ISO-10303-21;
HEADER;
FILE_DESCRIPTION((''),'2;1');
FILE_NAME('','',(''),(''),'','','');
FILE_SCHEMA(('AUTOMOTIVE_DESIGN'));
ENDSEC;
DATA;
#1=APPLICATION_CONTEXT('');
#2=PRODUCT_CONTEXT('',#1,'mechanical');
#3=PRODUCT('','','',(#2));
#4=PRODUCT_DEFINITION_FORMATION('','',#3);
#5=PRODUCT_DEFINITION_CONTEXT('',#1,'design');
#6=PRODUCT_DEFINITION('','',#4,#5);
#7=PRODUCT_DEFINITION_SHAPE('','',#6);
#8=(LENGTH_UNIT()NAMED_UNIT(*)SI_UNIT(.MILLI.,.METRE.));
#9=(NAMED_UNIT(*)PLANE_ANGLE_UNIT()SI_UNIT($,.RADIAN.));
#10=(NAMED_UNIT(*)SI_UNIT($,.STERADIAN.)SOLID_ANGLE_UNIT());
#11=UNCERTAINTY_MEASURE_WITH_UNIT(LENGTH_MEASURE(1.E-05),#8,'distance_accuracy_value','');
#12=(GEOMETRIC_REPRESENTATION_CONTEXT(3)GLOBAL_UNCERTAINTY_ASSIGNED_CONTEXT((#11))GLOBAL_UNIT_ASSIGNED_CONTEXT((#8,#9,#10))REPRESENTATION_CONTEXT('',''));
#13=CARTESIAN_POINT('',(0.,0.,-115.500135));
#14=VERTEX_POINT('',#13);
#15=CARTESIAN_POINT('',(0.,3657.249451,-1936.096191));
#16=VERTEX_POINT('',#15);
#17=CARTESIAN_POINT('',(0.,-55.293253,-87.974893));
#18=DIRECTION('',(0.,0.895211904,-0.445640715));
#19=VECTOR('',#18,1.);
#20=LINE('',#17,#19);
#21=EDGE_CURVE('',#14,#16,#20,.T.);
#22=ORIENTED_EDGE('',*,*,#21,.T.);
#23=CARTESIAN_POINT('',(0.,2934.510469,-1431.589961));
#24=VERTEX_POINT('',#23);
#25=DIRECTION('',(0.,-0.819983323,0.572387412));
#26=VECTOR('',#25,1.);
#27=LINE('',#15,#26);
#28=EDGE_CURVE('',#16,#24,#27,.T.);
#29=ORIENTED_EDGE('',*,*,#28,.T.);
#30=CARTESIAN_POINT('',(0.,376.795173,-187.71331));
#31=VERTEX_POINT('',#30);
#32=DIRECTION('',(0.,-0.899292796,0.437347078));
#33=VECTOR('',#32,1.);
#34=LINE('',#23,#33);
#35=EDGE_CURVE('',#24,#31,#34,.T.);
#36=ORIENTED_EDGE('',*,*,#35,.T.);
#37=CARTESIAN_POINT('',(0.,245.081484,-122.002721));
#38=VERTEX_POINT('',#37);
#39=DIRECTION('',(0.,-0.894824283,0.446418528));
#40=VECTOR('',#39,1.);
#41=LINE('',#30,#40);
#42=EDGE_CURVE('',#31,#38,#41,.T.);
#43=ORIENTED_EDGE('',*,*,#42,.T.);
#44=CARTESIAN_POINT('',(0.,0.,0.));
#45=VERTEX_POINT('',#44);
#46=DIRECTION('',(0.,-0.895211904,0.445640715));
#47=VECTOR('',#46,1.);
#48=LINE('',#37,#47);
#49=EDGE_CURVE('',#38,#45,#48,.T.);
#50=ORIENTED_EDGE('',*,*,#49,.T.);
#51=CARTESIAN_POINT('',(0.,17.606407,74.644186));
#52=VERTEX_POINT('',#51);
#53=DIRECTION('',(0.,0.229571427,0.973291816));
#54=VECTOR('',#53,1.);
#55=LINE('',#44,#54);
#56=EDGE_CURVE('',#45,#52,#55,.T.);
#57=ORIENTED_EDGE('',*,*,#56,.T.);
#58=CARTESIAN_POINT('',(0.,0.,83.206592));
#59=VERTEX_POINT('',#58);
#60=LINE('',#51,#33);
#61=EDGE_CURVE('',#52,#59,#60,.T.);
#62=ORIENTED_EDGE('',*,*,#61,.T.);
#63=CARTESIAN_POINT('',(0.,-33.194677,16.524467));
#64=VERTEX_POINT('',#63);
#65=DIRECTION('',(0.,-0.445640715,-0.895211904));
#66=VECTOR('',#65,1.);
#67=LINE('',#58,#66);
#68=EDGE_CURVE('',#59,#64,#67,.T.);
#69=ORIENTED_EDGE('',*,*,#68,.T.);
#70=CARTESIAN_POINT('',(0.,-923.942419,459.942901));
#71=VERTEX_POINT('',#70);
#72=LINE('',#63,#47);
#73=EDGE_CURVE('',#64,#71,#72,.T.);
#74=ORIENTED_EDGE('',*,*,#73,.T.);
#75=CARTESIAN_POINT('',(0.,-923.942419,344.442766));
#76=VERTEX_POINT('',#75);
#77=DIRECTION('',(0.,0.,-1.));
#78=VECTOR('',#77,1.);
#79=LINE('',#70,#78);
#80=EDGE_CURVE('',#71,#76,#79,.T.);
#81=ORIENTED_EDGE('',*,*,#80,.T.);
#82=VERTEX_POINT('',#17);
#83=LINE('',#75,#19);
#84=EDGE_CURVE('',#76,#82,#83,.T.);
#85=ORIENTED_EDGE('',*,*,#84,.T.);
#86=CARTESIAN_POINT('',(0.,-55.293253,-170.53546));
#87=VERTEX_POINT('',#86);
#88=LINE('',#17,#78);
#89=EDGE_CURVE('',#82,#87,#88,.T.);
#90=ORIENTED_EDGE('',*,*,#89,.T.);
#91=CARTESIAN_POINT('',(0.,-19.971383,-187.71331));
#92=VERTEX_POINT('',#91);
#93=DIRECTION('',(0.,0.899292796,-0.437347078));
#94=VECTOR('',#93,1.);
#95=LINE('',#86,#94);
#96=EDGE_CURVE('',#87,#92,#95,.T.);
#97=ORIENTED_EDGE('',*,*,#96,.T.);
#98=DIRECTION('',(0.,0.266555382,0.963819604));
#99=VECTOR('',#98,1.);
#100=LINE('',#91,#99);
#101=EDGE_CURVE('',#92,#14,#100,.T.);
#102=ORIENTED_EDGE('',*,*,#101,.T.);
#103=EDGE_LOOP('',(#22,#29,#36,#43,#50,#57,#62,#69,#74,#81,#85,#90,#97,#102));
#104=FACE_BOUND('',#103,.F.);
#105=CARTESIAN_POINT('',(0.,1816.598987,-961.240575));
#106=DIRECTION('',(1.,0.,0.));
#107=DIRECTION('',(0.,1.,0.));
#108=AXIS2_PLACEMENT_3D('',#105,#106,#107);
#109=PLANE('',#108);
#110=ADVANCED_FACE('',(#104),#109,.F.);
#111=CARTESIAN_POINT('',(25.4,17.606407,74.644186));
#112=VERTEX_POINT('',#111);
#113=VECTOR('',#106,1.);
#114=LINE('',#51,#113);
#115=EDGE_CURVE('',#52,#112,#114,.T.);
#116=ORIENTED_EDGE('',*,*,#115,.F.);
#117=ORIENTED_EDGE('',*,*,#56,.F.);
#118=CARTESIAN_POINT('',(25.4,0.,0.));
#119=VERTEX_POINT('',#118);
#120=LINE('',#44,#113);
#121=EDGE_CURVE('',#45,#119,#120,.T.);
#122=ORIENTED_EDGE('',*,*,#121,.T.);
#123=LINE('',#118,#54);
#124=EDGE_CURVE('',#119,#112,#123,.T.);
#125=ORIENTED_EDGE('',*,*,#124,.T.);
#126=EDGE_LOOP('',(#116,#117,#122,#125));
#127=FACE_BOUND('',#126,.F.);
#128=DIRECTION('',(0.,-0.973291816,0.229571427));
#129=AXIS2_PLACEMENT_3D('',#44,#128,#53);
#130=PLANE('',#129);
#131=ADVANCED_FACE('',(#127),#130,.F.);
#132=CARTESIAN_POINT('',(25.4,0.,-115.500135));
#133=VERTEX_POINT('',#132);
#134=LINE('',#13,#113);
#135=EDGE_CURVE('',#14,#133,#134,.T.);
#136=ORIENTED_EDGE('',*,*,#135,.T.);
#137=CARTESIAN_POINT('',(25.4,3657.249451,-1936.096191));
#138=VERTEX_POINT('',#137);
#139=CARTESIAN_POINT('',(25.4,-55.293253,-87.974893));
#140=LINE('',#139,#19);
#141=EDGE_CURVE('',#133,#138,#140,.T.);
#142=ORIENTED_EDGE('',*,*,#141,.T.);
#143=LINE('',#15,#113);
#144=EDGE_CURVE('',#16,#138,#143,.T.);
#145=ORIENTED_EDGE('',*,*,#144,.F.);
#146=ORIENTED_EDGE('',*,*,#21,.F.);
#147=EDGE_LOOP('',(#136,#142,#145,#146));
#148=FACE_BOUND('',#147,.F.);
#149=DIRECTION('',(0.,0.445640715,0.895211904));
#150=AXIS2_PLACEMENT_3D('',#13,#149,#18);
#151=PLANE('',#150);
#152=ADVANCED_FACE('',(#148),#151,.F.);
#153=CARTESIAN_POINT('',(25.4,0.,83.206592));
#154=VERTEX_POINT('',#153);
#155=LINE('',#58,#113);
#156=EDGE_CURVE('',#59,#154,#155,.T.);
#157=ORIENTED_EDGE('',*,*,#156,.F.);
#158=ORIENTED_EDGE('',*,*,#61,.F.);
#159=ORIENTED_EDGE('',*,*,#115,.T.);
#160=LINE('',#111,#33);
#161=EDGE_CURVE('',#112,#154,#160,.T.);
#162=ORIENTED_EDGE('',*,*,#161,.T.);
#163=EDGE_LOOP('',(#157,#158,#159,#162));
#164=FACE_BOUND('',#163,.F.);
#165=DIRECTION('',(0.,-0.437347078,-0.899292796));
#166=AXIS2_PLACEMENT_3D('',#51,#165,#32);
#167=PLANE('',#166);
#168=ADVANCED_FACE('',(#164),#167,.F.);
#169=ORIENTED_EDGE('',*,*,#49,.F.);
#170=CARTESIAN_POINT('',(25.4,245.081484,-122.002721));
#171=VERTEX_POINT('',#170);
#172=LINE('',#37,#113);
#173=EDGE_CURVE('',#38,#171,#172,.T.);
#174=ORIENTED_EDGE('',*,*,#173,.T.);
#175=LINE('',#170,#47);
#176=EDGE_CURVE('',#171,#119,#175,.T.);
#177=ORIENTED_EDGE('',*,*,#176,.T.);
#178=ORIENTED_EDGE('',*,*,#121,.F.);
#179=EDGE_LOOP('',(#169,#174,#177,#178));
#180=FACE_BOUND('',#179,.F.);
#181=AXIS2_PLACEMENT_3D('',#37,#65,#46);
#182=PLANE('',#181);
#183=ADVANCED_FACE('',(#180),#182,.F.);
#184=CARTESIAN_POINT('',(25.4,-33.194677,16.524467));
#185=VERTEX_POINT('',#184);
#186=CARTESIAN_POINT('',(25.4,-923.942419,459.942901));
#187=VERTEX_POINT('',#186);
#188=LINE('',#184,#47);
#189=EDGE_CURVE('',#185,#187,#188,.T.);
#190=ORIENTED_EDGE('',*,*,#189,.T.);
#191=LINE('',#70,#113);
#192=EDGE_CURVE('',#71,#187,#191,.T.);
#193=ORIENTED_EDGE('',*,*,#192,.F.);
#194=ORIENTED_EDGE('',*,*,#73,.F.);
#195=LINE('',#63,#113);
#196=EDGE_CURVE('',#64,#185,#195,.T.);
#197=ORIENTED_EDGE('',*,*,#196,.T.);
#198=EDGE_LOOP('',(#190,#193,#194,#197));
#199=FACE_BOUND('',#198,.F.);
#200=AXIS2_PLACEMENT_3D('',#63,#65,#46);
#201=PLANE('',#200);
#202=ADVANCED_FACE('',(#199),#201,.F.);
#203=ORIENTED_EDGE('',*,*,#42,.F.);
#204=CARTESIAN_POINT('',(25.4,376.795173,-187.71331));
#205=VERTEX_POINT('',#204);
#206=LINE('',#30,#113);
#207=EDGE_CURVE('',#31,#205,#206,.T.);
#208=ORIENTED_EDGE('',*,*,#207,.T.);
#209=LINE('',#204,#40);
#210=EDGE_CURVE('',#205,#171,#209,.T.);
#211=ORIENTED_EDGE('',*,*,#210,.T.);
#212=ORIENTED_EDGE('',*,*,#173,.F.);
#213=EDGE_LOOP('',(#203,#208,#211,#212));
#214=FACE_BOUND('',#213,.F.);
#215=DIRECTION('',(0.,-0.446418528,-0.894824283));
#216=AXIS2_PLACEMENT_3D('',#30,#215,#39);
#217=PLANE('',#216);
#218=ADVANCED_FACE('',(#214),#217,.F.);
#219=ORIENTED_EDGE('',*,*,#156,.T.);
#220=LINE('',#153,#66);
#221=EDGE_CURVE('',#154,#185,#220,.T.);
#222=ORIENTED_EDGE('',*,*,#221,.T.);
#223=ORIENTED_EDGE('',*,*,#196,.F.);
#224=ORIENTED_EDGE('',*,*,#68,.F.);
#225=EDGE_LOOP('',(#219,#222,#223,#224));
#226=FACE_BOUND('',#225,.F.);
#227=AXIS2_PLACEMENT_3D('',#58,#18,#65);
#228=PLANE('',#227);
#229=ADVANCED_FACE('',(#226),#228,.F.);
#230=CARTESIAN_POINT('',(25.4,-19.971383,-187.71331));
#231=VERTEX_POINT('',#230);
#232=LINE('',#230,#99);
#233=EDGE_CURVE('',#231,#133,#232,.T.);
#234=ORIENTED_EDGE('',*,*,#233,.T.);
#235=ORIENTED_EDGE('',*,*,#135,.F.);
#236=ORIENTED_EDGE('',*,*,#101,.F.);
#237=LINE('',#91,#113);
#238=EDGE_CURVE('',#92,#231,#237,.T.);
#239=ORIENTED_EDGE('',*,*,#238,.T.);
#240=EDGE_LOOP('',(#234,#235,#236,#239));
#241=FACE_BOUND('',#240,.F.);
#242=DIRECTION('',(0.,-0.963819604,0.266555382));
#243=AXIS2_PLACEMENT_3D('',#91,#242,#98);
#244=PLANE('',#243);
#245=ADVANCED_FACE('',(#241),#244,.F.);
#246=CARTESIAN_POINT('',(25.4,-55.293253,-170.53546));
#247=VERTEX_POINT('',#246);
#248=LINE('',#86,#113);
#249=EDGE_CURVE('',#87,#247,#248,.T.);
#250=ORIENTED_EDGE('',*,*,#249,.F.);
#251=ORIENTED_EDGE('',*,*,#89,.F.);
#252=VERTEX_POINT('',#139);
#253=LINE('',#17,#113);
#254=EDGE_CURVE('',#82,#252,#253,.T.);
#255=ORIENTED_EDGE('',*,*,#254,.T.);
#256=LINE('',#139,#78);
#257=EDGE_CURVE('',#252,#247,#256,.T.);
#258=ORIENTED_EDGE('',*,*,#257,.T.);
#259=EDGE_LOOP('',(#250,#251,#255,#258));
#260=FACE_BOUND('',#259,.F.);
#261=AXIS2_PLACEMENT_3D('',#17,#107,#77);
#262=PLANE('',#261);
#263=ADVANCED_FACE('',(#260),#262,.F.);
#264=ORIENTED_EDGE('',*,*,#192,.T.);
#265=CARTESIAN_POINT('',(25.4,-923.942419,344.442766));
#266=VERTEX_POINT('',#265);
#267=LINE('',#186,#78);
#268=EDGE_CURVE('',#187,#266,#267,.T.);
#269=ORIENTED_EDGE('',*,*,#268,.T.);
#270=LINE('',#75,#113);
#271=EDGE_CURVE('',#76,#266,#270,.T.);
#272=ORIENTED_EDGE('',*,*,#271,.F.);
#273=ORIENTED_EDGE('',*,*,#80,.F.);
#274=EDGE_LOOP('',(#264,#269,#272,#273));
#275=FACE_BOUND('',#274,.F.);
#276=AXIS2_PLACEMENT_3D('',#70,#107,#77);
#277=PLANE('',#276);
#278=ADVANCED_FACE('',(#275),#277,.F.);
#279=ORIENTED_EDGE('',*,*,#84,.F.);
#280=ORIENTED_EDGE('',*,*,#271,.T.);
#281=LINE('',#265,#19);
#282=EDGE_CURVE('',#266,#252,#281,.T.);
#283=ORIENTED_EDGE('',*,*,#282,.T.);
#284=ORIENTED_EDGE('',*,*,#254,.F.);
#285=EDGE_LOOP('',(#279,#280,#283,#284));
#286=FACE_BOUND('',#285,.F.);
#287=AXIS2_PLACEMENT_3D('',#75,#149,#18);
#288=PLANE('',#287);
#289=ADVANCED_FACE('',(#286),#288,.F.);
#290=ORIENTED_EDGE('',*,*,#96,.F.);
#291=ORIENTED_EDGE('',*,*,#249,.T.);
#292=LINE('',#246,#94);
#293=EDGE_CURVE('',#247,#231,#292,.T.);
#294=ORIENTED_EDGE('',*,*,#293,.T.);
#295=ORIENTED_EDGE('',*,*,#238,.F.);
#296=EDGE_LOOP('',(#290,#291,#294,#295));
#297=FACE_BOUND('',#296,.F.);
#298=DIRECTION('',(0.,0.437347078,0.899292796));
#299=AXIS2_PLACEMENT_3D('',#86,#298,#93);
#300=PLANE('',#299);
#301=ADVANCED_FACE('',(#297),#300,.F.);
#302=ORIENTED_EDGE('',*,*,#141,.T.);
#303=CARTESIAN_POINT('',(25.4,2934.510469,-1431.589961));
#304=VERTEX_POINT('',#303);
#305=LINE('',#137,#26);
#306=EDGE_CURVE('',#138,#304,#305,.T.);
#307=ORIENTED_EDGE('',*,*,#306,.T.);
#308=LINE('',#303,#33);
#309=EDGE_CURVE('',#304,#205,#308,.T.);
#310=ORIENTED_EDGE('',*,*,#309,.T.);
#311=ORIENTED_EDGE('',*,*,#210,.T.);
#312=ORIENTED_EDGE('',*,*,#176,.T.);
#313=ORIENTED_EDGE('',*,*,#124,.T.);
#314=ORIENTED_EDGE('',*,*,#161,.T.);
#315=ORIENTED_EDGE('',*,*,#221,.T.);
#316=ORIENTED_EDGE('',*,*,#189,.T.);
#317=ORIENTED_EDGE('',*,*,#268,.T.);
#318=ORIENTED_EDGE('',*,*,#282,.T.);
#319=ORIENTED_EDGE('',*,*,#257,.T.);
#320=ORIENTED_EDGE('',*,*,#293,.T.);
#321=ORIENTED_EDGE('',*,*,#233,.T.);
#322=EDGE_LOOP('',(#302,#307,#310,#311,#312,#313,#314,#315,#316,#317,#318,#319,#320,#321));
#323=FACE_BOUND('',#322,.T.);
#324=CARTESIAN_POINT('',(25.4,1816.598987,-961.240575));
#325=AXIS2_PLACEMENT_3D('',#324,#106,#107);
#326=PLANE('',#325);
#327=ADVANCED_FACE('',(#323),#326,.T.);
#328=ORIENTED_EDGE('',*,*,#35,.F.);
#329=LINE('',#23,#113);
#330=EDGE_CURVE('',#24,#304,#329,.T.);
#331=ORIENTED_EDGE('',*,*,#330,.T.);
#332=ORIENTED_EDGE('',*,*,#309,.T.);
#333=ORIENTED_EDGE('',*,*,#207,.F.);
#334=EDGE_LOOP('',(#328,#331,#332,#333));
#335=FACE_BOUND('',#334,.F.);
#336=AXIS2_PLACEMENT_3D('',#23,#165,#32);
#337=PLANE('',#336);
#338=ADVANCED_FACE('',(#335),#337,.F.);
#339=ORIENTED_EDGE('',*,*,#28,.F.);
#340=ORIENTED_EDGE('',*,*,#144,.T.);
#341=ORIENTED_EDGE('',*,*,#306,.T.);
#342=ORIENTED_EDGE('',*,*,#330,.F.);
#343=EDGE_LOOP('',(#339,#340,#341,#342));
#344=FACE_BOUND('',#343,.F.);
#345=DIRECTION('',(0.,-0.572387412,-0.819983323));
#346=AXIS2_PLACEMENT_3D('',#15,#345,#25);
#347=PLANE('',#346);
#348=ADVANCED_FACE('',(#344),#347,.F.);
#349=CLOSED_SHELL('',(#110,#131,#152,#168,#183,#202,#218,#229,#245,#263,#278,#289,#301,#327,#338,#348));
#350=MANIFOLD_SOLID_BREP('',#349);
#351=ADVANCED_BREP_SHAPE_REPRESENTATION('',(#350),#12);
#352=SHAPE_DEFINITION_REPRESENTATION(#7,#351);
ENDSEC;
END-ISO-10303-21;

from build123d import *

# Parameters (mm, degrees)
F1_DEPTH = 25.4


with BuildPart() as f1:
    # F0 (on Right) → F1 (new body)
    with BuildSketch(Plane.YZ):
        Polygon((245.0814843178, -122.0027208328), (0, 0), (0, -115.5001354055), (3657.2494506836, -1936.0961914062), (2934.5104694366, -1431.5899610519), (376.7951726913, -187.7133101225), align=None)
        Polygon((0, -115.5001354055), (0, 0), (-33.1946770807, 16.524467086), (-54.0016578511, -81.8672191593), align=None)
        Polygon((-33.1946770807, 16.524467086), (0, 0), (17.6064074039, 74.6441856027), (0, 83.2065924915), align=None)
        Polygon((-55.293253218, -87.9748927089), (0, -115.5001354055), (-54.0016578511, -81.8672191593), align=None)
        Polygon((-19.9713829201, -187.7133101225), (0, -115.5001354055), (-55.293253218, -87.9748927089), (-55.293253218, -170.5354601145), align=None)
        Polygon((-54.0016578511, -81.8672191593), (-33.1946770807, 16.524467086), (-923.9424188991, 459.9429014898), align=None)
        Polygon((-55.293253218, -87.9748927089), (-54.0016578511, -81.8672191593), (-923.9424188991, 459.9429014898), (-923.9424188991, 344.4427660843), align=None)
    extrude(amount=F1_DEPTH)


solid = f1.part
